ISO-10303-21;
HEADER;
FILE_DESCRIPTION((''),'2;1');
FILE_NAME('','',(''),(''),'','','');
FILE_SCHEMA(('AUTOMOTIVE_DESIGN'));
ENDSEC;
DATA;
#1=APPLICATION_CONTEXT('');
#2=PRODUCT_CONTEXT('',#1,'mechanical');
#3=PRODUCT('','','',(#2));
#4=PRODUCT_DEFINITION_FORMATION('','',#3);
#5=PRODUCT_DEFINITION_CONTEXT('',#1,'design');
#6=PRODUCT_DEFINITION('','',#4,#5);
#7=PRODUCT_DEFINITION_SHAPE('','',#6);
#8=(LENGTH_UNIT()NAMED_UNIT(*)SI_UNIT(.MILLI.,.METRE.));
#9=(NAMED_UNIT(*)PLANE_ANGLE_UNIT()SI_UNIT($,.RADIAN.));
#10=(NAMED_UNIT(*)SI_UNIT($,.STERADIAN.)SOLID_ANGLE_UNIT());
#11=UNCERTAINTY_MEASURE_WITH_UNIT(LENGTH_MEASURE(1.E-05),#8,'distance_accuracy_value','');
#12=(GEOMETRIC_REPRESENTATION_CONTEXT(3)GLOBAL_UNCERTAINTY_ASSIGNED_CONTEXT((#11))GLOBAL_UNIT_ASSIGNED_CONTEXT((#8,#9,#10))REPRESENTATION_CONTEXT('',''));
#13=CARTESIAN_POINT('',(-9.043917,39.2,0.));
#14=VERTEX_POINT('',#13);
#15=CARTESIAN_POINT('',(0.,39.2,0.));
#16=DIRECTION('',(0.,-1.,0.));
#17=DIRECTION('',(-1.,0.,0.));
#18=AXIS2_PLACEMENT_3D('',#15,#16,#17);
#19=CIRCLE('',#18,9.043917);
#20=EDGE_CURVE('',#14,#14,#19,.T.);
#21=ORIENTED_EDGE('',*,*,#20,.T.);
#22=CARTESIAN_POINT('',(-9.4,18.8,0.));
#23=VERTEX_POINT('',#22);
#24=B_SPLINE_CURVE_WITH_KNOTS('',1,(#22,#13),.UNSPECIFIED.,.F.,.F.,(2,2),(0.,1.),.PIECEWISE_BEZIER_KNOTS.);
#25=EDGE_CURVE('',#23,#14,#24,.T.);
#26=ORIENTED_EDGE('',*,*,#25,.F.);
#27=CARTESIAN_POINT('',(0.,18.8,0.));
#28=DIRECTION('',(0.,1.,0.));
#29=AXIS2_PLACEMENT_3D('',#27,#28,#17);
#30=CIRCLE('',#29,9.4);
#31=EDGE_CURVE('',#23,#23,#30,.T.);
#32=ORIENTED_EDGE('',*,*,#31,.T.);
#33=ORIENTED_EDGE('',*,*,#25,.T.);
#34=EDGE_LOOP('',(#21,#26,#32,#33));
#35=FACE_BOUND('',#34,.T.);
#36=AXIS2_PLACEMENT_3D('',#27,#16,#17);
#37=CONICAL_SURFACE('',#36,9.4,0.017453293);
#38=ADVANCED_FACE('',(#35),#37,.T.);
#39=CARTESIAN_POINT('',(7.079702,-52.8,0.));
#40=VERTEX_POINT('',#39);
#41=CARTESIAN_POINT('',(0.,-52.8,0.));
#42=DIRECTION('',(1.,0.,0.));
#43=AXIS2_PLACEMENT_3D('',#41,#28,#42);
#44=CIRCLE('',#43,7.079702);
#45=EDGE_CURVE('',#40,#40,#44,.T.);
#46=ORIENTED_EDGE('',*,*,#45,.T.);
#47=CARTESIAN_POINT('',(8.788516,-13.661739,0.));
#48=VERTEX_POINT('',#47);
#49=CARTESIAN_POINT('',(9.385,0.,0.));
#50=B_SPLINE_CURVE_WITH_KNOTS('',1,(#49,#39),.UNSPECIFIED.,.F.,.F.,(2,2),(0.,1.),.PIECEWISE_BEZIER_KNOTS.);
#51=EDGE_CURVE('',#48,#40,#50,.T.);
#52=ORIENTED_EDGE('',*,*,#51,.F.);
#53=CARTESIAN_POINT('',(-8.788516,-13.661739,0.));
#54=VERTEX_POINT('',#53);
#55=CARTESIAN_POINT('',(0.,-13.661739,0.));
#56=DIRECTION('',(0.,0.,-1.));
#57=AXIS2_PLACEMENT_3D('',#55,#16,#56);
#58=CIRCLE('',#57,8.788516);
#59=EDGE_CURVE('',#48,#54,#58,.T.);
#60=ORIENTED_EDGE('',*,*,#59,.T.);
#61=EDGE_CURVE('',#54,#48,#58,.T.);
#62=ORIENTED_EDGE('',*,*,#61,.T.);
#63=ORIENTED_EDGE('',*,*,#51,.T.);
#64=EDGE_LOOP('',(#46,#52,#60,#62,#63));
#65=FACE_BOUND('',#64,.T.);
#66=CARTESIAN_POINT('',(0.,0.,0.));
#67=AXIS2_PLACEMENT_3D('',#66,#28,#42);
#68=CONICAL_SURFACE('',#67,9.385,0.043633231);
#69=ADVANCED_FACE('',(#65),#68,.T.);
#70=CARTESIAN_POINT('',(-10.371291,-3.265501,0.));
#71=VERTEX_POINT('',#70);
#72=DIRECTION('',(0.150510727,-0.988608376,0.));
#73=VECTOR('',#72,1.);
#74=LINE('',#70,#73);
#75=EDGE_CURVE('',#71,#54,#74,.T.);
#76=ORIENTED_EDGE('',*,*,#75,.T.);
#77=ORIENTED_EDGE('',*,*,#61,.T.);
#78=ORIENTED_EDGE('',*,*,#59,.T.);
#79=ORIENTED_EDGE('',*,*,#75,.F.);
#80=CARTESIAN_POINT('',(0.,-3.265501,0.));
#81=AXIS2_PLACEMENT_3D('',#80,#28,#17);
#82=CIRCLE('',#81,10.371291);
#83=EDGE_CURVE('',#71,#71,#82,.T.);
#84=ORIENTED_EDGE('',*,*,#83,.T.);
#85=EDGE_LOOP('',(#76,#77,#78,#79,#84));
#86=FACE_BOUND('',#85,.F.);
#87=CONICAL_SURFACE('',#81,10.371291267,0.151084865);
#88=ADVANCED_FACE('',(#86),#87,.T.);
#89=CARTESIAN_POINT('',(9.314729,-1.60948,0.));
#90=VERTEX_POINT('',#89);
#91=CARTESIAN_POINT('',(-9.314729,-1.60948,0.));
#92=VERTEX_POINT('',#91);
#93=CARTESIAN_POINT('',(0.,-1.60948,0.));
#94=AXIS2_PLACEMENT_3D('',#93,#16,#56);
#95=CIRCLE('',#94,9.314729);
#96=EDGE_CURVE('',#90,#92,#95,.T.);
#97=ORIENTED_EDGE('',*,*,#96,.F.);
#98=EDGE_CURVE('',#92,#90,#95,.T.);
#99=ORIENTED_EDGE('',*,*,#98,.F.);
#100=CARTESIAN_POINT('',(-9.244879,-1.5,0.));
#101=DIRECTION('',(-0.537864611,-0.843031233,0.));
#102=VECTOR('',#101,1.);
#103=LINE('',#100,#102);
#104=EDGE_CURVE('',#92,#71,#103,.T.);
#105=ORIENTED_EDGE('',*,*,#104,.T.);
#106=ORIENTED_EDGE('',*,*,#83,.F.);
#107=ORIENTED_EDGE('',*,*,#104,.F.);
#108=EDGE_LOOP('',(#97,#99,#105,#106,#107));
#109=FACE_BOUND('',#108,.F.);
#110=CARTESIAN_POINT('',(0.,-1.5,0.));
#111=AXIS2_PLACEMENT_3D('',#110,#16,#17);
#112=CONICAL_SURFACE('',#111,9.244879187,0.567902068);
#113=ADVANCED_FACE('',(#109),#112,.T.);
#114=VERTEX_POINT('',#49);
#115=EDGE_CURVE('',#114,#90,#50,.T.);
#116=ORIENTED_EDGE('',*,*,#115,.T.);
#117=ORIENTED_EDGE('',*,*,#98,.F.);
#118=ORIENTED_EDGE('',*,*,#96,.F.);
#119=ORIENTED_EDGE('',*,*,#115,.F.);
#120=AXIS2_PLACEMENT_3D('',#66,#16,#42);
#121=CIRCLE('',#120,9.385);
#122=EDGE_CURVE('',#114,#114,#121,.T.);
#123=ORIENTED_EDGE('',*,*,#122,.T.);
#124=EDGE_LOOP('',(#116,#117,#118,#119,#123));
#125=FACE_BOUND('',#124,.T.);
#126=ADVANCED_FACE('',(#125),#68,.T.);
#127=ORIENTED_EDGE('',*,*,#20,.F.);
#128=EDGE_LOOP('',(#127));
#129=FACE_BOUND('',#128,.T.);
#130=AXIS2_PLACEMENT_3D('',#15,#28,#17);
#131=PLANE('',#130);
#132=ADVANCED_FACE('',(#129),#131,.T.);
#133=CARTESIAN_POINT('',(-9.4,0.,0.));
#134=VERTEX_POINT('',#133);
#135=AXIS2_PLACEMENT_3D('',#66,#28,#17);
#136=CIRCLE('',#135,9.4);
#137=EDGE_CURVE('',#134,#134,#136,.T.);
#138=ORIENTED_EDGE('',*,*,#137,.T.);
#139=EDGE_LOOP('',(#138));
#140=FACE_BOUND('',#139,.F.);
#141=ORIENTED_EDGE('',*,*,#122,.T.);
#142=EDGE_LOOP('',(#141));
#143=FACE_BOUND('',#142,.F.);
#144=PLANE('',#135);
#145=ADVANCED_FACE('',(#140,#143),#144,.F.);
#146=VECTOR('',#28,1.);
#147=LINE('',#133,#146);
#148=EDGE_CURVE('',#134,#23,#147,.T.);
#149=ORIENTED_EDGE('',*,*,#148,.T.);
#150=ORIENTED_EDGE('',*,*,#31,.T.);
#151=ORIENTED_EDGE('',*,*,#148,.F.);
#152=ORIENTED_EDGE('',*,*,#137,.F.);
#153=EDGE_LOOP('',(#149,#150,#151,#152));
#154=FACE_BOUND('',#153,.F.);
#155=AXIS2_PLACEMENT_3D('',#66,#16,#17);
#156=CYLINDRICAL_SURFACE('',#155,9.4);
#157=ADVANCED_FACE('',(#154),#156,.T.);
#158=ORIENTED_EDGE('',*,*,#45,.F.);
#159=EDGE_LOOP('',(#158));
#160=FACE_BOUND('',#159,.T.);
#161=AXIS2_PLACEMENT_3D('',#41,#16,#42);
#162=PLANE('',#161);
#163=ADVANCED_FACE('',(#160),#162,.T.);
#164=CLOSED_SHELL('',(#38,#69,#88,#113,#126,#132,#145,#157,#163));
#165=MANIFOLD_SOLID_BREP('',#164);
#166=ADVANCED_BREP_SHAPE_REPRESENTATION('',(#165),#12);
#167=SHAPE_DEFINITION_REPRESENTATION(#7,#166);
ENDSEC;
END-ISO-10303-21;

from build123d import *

# Parameters (mm, degrees)
F0_R     = 9.385
F1_DEPTH = 52.8
F1_TAPER = 2.5
F2_R     = 9.4
F3_DEPTH = 18.8
F4_R     = 9.4
F5_DEPTH = 20.4
F5_TAPER = 1


with BuildPart() as f1:
    # F0 (on Front) → F1 (new body)
    with BuildSketch(Plane.XZ):
        Circle(F0_R)
    extrude(amount=F1_DEPTH, taper=F1_TAPER)

    # F2 (on face) → F3 (join)
    with BuildSketch(Plane(origin=(0, 0, 0), x_dir=(-1, 0, 0), z_dir=(0, 1, 0))):
        Circle(F2_R)
    extrude(amount=F3_DEPTH)

    # F4 (on face) → F5 (join)
    with BuildSketch(Plane(origin=(0, 18.8, 0), x_dir=(-1, 0, 0), z_dir=(0, 1, 0))):
        Circle(F4_R)
    extrude(amount=F5_DEPTH, taper=F5_TAPER)

    # F6 (on Top) → F7 (revolve)
    with BuildSketch(Plane.XY):
        Polygon((-8.708294537, -14.1886593821), (-9.2448791865, -1.5), (-10.3712912667, -3.2655011038), align=None)
    revolve(axis=Axis((0, -52.8, 0), (0, 1, 0)))


solid = f1.part
